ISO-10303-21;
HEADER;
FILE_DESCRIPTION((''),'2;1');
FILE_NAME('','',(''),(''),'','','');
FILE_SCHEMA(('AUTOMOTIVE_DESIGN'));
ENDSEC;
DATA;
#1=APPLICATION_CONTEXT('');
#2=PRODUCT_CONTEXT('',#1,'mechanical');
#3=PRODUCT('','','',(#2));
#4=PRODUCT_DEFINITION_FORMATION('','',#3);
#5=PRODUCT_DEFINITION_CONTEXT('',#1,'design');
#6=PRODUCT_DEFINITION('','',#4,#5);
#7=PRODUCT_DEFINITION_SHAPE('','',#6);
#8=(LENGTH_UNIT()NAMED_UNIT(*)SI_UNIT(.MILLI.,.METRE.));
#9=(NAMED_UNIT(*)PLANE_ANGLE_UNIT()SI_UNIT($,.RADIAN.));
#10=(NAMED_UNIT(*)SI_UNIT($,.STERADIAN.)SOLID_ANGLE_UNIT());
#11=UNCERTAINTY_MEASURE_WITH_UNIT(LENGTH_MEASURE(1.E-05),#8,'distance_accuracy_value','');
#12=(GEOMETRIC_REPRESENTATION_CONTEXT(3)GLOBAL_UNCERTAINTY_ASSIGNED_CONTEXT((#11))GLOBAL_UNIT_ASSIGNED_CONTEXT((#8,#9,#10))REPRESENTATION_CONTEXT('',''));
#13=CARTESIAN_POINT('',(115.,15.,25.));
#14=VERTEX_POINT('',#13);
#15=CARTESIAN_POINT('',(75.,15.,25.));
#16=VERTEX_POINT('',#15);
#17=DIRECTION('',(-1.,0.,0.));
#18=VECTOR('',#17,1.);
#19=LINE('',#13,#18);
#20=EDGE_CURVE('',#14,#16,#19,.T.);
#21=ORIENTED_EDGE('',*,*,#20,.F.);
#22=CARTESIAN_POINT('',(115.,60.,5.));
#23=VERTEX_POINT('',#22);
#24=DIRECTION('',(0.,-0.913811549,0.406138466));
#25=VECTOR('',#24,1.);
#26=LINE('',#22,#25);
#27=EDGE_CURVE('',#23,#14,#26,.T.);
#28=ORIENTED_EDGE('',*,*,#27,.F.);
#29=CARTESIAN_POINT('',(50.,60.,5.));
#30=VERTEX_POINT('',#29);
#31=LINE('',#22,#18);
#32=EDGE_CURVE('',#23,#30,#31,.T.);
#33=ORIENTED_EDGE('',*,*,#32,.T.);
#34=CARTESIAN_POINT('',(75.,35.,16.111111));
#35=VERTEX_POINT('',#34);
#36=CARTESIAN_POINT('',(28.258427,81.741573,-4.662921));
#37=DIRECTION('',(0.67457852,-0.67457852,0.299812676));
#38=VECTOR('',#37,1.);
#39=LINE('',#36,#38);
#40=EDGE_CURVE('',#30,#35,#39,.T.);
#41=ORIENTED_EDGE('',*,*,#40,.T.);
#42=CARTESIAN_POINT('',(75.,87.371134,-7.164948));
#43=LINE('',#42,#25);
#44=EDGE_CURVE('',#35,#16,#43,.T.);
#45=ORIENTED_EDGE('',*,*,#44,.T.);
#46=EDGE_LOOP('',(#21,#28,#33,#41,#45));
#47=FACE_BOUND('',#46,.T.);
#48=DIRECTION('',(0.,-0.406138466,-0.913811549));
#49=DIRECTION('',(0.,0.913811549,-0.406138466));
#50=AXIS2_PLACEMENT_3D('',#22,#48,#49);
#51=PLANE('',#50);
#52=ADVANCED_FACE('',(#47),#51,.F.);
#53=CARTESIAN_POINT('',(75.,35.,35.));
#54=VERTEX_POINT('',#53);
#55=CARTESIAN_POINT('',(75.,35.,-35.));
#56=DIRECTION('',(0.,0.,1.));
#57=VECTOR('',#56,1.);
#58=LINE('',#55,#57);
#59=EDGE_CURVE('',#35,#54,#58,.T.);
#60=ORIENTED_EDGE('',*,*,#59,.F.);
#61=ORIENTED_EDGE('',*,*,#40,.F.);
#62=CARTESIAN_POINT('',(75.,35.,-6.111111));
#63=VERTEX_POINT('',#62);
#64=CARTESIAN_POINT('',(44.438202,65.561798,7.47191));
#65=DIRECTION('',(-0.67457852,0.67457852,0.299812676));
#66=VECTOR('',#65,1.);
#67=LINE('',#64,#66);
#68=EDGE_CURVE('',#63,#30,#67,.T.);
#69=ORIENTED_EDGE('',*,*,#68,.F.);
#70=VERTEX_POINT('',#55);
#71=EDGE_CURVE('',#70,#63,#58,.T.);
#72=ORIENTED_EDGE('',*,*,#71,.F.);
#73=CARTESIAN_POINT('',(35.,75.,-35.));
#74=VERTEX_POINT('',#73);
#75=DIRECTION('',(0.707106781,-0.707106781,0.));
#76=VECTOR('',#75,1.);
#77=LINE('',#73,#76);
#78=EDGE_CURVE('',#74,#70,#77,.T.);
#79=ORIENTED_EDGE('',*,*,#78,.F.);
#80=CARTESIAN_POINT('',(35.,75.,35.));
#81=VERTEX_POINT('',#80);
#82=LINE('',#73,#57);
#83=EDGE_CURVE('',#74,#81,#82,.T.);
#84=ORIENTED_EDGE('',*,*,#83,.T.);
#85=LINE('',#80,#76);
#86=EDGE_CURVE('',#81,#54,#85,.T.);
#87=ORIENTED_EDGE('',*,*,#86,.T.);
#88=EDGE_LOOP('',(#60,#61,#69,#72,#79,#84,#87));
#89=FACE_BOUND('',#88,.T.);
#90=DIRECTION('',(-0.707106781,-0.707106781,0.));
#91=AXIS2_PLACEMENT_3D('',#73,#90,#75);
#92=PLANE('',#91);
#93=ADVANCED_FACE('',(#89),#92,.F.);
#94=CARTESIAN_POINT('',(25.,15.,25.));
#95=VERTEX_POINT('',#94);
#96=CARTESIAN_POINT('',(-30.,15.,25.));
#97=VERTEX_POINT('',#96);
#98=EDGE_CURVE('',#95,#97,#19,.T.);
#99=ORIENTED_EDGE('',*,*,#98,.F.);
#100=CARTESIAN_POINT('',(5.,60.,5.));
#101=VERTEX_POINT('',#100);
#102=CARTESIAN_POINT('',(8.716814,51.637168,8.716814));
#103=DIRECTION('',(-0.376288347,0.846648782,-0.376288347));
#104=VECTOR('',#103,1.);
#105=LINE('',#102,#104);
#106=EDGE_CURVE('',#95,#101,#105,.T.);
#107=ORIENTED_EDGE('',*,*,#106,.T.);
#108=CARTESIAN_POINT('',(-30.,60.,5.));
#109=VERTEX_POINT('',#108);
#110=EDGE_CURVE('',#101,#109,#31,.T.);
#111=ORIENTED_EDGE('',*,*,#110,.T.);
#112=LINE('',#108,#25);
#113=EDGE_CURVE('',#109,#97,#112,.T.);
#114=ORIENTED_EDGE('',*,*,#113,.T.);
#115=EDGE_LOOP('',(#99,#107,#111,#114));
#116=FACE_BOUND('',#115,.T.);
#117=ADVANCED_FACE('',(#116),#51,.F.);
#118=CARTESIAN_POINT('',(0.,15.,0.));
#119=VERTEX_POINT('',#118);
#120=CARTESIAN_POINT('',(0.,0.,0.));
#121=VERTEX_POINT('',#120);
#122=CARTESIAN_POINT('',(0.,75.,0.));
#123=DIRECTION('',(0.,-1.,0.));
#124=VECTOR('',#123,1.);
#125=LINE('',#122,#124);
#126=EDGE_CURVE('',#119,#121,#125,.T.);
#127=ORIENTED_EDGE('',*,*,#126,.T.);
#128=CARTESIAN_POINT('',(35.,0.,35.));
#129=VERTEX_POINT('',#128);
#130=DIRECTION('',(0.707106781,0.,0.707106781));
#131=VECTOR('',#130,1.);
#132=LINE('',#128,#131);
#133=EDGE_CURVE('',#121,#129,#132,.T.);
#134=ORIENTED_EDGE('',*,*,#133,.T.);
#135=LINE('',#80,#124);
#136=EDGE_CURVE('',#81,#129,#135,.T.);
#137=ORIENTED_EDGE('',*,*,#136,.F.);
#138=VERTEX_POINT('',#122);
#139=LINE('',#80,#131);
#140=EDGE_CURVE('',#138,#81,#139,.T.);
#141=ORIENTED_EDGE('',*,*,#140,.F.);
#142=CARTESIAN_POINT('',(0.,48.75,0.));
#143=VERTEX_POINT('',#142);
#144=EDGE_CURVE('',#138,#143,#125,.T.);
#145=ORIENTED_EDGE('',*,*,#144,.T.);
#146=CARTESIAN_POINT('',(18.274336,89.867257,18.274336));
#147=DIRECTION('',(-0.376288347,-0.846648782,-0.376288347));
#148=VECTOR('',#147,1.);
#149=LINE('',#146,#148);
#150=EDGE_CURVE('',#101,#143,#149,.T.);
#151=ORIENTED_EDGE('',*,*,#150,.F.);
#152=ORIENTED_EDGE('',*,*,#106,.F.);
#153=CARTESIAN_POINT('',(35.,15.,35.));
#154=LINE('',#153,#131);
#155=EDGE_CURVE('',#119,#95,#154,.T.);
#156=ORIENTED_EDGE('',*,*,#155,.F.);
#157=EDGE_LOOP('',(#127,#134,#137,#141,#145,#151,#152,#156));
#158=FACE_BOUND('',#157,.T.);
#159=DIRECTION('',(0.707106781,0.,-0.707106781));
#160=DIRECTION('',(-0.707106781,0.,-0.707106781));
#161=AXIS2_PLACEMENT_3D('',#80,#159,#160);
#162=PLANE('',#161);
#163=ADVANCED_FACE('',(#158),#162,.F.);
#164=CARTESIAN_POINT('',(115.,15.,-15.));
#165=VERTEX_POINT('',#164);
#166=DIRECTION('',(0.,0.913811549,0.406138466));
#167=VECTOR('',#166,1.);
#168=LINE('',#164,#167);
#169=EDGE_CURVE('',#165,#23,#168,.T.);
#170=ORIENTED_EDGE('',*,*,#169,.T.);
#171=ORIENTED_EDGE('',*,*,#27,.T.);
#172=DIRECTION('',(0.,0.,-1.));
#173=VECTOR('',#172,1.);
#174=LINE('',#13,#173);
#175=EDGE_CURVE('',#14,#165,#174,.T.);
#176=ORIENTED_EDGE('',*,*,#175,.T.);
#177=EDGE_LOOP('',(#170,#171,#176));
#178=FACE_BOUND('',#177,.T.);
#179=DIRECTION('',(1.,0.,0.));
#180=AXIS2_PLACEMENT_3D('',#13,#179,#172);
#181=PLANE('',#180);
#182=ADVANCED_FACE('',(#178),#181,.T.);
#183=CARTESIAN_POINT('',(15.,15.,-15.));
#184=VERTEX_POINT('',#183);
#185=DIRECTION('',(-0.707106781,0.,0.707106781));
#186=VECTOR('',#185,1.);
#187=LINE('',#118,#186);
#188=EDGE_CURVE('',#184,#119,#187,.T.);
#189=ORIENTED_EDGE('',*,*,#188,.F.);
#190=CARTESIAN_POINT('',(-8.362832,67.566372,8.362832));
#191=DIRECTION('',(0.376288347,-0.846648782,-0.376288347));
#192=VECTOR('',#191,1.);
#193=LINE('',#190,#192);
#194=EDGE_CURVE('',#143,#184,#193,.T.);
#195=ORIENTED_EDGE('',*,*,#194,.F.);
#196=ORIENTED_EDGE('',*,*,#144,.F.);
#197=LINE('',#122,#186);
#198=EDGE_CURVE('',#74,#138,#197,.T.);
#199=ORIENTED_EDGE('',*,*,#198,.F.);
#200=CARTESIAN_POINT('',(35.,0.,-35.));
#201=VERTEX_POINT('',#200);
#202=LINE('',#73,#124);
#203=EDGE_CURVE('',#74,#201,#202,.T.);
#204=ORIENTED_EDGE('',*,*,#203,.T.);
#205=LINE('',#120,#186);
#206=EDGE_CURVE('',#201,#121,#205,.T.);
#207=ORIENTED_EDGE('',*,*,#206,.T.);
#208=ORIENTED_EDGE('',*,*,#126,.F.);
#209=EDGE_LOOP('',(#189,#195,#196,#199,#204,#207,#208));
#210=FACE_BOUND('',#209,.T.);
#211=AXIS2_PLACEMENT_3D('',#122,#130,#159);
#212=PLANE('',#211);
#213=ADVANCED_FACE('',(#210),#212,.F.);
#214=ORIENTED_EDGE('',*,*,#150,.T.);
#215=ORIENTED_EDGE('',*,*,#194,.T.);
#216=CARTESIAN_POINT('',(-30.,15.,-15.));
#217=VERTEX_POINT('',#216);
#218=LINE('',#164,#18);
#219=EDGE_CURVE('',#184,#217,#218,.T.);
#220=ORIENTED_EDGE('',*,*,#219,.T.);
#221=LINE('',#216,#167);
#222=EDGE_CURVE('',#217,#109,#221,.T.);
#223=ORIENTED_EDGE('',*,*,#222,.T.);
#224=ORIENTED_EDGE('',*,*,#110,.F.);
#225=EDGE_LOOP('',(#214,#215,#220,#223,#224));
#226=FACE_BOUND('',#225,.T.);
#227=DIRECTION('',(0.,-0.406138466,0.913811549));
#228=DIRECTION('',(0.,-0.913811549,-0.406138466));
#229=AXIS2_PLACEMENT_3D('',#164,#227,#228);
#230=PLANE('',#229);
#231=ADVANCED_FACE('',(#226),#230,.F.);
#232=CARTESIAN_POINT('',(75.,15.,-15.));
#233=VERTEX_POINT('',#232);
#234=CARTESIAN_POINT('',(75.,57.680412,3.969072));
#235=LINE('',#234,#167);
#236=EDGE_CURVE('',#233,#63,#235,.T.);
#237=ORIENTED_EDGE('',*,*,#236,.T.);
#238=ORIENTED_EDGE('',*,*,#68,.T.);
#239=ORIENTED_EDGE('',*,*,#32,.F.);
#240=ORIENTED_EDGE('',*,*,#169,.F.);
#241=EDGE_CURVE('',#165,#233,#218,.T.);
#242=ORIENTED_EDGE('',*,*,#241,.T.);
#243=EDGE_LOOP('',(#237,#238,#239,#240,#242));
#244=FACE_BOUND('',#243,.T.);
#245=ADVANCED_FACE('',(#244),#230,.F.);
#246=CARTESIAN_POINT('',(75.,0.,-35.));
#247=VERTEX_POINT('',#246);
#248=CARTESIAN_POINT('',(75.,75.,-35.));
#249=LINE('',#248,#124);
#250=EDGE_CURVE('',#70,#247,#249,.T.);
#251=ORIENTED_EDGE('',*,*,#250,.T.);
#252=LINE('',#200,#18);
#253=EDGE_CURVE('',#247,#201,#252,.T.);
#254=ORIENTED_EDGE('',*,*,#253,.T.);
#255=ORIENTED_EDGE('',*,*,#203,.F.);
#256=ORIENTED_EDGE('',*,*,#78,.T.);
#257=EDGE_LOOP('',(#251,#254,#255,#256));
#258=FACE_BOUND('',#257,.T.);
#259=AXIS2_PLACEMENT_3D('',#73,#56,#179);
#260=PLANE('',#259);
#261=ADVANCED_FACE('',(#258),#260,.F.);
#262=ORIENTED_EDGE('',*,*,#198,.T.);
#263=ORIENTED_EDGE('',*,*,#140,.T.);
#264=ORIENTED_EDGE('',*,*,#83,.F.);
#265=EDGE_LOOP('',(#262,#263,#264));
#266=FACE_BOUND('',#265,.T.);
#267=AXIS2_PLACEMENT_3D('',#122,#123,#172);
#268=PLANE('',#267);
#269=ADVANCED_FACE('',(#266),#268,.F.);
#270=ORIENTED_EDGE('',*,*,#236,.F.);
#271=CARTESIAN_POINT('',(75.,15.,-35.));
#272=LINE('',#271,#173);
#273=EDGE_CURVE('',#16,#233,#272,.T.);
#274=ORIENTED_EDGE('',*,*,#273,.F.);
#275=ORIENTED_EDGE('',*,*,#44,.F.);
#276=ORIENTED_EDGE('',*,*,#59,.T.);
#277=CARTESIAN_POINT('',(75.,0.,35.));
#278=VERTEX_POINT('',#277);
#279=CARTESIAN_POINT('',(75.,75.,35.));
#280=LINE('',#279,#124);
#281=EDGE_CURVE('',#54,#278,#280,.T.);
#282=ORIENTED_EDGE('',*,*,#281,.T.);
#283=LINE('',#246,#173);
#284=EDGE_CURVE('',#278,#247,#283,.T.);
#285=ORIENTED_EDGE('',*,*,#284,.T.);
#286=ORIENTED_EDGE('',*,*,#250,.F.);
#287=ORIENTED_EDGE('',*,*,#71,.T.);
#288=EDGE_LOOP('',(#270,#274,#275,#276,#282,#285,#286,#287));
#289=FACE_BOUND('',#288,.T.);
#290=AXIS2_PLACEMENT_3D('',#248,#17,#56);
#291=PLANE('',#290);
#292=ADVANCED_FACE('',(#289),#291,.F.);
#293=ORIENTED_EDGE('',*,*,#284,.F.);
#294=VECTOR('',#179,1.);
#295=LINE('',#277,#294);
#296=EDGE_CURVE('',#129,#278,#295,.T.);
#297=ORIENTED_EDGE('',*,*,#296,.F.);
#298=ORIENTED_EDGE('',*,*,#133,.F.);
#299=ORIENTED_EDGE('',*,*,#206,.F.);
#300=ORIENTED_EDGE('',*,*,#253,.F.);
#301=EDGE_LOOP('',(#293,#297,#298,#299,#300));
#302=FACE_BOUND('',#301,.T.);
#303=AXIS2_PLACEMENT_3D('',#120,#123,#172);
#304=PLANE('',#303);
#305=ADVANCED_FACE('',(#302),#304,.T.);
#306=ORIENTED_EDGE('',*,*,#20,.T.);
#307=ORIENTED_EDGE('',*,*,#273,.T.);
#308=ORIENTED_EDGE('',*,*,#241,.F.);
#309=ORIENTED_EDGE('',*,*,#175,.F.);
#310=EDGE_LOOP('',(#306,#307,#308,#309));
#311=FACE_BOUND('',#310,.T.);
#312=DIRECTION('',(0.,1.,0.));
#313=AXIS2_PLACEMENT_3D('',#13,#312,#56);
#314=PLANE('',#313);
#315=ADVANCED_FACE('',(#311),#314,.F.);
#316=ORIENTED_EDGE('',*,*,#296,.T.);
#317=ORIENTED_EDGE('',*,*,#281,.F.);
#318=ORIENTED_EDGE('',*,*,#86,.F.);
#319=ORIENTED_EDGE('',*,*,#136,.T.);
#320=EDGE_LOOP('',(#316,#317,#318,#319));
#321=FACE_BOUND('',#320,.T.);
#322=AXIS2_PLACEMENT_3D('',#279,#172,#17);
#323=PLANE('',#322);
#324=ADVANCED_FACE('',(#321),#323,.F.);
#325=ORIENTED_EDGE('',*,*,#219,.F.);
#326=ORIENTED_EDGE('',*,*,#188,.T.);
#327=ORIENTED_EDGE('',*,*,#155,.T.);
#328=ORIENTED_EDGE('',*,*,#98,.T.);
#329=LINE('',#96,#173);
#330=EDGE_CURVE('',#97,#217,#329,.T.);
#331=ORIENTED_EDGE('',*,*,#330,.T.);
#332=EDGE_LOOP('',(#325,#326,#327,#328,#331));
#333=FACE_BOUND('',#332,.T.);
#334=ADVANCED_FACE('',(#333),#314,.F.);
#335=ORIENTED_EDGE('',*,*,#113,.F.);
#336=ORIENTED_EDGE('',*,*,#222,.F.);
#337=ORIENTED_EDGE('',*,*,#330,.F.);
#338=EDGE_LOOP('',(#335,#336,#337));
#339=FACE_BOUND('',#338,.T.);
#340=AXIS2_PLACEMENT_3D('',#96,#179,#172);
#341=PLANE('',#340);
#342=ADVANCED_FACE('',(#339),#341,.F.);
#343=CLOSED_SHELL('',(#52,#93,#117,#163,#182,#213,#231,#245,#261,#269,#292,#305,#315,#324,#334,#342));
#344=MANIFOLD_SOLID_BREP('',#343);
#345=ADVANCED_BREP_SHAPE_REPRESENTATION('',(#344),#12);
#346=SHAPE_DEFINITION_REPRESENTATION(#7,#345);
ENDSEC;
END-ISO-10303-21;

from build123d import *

# Parameters (mm, degrees)
EXTRUDE1_DEPTH      = 75
CUT_EXTRUDE1_DEPTH  = 71
EXTRUDE2_DEPTH      = 40
EXTRUDE2_DEPTH_BACK = 105


with BuildPart() as part:
    # Sketch1 → Extrude1 (new body)
    with BuildSketch(Plane(origin=(0, 0, 0), x_dir=(1, 0, 0), z_dir=(0, 1, 0))):
        Polygon((0, 0), (35, 35), (75, 35), (75, -35), (35, -35), align=None)
    extrude(amount=EXTRUDE1_DEPTH)

    # Sketch2 → Cut-Extrude1 (cut, through all)
    with BuildSketch(Plane.XY.offset(35)):
        Polygon((35, 75), (75, 35), (75, 75), align=None)
    extrude(amount=-CUT_EXTRUDE1_DEPTH, mode=Mode.SUBTRACT)

    # Sketch3 → Extrude2 (add, two sides)
    with BuildSketch(Plane(origin=(75, 0, 0), x_dir=(0, 0, -1), z_dir=(1, 0, 0))) as extrude2_sk:
        Polygon((-25, 15), (15, 15), (-5, 60), align=None)
    extrude(amount=EXTRUDE2_DEPTH)
    extrude(extrude2_sk.sketch, amount=-EXTRUDE2_DEPTH_BACK)


solid = part.part
